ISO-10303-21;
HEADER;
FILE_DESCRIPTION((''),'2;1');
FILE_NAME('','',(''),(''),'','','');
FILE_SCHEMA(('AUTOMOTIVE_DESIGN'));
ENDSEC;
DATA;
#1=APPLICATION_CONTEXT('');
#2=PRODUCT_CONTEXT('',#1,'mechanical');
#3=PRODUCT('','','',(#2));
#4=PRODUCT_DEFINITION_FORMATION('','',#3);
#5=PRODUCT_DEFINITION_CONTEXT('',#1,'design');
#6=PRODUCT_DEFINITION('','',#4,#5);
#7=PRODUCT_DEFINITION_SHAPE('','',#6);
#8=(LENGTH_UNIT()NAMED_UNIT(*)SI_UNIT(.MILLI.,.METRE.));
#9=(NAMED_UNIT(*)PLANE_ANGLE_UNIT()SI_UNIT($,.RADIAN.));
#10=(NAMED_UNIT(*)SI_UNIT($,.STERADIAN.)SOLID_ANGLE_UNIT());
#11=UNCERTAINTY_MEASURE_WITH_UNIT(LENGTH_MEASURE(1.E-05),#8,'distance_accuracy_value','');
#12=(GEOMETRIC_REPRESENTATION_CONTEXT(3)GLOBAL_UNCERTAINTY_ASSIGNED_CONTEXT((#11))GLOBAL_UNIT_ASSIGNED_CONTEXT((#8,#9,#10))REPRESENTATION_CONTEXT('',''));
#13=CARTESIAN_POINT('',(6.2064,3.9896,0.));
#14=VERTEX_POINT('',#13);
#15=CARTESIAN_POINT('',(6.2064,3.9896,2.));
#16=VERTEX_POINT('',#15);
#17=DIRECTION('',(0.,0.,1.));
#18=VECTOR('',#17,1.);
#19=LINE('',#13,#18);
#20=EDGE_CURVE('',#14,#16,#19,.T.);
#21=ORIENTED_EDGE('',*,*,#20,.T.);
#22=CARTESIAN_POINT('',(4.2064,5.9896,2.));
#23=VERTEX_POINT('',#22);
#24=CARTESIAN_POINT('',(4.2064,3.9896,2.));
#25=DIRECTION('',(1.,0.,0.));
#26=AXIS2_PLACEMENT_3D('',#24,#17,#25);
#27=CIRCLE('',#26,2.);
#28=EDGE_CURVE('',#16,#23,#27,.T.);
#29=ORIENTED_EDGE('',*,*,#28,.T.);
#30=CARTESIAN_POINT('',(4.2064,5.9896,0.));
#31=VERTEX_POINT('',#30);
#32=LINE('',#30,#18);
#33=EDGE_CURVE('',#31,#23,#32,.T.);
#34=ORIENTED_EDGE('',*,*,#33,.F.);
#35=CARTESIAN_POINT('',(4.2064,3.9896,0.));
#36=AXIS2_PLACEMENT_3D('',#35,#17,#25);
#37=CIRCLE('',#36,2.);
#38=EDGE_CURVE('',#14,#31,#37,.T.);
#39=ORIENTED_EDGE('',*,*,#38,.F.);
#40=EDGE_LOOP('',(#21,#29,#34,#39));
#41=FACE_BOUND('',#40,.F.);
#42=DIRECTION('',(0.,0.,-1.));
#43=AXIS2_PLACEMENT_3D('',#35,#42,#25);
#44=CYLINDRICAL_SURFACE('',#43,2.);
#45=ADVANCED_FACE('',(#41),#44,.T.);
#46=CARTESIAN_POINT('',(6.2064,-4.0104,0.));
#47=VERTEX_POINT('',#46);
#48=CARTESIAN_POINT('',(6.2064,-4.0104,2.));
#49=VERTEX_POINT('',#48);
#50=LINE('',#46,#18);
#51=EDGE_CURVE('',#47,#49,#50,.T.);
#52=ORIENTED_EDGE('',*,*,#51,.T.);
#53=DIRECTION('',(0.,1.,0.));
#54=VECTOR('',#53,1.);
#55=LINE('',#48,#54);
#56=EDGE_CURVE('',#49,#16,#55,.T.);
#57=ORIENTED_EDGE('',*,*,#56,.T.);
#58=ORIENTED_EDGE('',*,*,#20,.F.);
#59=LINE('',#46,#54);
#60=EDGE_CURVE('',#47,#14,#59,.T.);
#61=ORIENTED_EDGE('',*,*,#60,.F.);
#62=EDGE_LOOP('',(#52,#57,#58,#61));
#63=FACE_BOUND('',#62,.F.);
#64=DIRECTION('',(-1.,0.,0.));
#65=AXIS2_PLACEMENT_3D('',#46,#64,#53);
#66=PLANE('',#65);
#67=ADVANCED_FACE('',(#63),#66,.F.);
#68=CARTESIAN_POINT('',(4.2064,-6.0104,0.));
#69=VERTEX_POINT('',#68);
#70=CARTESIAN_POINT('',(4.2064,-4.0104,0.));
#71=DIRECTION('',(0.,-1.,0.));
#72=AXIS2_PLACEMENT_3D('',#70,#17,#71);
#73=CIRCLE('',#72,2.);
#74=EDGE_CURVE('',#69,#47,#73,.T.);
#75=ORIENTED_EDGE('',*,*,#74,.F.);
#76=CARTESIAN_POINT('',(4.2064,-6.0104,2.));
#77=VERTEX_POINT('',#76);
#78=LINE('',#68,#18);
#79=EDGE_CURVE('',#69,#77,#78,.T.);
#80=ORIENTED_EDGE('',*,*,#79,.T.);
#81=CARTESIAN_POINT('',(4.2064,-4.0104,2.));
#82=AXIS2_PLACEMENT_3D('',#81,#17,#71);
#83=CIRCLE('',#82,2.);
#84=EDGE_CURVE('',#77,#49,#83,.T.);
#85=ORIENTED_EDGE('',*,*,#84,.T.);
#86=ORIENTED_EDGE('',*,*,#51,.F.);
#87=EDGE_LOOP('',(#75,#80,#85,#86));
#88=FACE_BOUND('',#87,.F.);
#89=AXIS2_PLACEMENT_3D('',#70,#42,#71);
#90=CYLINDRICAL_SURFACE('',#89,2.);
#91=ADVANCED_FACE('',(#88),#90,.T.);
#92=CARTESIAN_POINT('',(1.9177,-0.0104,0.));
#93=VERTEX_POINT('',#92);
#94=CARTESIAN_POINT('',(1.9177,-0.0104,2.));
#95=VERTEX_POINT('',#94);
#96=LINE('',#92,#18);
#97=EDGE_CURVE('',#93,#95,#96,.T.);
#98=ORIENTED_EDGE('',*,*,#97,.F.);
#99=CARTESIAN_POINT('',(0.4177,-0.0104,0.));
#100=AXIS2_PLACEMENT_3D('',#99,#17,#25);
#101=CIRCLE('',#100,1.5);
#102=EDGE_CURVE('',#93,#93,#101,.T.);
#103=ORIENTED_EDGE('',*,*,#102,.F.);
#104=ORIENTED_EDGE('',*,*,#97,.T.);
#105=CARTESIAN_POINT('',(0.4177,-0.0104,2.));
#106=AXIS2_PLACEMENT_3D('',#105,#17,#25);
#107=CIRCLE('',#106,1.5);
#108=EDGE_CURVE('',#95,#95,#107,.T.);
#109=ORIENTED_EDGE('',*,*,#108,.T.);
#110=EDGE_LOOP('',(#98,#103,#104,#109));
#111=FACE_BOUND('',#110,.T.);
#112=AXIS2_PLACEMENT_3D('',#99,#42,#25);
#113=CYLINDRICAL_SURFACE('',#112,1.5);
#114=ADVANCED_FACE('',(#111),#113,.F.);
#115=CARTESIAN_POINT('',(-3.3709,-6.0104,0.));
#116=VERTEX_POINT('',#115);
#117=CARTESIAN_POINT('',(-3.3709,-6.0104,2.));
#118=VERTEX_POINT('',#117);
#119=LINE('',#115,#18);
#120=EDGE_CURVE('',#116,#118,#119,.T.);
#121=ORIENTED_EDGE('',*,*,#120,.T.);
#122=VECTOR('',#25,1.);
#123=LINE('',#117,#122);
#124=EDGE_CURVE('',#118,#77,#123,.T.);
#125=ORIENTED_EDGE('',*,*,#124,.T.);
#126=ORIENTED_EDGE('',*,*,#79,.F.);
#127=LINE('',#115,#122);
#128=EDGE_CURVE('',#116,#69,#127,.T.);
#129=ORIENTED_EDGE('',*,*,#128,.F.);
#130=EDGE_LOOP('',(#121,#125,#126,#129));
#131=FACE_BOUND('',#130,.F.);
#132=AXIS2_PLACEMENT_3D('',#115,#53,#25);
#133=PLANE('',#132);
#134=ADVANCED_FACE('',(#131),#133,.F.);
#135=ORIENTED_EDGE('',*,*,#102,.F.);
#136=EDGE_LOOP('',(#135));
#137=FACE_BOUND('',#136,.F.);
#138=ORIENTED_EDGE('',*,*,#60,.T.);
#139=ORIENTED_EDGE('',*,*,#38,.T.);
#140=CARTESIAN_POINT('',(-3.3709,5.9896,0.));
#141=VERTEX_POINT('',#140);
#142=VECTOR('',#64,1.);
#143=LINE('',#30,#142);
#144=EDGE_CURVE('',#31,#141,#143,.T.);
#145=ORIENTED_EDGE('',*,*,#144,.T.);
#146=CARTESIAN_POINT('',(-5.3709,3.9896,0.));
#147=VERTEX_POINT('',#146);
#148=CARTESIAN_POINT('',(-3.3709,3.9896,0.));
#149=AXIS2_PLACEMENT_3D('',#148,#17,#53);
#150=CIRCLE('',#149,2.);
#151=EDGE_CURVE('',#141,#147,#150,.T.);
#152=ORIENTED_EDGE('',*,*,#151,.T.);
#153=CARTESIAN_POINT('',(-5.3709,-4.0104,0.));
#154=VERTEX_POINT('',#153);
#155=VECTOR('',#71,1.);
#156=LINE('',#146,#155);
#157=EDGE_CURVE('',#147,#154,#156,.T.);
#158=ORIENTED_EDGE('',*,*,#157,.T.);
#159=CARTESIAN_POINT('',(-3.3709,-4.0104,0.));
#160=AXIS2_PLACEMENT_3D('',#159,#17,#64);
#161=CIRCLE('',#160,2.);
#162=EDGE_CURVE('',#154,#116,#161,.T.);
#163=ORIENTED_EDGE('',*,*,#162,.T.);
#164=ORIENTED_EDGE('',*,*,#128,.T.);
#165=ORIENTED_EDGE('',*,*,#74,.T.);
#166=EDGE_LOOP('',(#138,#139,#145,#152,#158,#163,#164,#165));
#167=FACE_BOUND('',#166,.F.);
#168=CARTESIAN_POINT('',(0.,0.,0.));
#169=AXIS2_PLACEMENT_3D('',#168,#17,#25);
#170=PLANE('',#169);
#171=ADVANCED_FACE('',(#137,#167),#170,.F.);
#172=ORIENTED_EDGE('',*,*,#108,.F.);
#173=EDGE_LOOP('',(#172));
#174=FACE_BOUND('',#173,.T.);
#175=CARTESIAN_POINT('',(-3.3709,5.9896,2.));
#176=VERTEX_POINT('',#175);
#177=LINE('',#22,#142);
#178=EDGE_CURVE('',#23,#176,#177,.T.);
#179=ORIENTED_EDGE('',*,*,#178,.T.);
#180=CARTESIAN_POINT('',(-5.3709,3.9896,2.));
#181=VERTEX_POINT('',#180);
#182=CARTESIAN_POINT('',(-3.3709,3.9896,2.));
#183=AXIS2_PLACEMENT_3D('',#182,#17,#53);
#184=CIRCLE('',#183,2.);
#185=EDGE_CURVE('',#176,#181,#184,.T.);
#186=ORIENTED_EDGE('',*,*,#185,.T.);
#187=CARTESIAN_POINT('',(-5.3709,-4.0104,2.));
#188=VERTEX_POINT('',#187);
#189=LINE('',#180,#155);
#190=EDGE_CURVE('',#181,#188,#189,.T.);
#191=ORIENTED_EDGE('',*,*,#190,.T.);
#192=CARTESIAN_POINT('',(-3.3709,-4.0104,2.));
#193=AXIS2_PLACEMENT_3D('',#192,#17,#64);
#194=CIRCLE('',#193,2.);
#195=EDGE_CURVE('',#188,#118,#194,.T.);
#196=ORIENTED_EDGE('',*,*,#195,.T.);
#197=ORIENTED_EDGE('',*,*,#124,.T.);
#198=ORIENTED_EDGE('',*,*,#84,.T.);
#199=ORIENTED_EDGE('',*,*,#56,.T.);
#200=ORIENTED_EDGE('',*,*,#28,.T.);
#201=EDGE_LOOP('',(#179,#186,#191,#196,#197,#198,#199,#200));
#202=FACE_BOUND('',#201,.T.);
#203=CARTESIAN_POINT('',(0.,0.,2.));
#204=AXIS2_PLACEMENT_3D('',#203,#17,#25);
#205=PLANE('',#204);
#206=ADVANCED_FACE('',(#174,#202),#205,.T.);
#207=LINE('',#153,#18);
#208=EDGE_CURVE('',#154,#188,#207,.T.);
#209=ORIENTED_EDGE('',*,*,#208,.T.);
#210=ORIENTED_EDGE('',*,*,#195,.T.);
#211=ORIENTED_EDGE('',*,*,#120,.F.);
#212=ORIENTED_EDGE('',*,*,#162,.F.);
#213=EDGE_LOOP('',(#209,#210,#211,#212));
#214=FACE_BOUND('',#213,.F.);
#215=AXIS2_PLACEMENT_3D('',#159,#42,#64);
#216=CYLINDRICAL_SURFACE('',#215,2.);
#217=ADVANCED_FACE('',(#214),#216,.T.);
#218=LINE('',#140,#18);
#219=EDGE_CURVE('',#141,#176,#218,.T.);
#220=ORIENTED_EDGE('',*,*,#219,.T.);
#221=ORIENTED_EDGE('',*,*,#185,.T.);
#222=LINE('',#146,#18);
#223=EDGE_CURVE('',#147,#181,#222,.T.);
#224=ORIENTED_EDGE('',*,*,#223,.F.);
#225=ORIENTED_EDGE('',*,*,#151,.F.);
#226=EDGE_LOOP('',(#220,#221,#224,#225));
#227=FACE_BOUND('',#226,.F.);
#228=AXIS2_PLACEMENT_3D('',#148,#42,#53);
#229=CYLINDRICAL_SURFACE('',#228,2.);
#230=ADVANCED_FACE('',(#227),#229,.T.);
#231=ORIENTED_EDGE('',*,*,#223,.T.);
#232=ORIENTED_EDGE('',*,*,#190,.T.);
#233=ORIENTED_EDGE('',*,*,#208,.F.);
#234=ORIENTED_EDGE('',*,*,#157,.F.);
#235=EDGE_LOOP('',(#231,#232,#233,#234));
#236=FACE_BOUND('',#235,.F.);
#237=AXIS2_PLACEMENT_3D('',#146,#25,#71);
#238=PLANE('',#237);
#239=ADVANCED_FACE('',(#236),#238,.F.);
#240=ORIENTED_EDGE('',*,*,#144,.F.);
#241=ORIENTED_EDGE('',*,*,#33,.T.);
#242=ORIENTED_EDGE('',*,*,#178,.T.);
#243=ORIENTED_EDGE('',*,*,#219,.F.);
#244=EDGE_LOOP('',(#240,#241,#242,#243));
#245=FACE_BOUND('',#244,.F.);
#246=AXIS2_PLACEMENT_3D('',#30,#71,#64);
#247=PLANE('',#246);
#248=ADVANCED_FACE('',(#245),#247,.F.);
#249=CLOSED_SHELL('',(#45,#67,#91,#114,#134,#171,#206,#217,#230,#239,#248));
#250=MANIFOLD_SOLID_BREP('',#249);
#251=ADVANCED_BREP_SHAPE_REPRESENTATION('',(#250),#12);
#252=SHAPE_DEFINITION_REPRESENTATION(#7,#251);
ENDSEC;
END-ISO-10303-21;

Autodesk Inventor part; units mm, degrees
ref_plane "YZ Plane" through (0, 0, 0) normal (1, 0, 0) x (0, 1, 0)
ref_plane "XZ Plane" through (0, 0, 0) normal (0, 1, 0) x (-1, 0, 0)
ref_plane "XY Plane" through (0, 0, 0) normal (0, 0, 1) x (1, 0, 0)
sketch "washer_sketch" plane through (0, 0, 0) normal (0, 0, 1) x (1, 0, 0)
  line L0 (-5.3709, -5.3107) -> (-5.3709, 4.5904) construction
  line L1 (0.3709, -5.3107) -> (-5.3709, -5.3107) construction
  arc A0 (0.3709, -5.3107) -> (5.3709, -0.3107) centre (0.3709, -0.3107) ccw construction
  arc A1 (5.3709, -0.3107) -> (-3.0036, 4.5904) centre (-0.2505, -0.3107) ccw construction
  line L2 (-5.3709, 4.5904) -> (-3.0036, 4.5904) construction
  circle A2 centre (0.4177, -0.0104) radius 3.55 construction
  circle A3 centre (0.4177, -0.0104) radius 3.55 construction
  circle A4 centre (0.4177, -0.0104) radius 1.5 projected
  line L3 (4.2064, 5.9896) -> (-3.3709, 5.9896)
  line L4 (-5.3709, 3.9896) -> (-5.3709, -4.0104)
  line L5 (-3.3709, -6.0104) -> (4.2064, -6.0104)
  line L6 (6.2064, -4.0104) -> (6.2064, 3.9896)
  arc A5 (6.2064, 3.9896) -> (4.2064, 5.9896) centre (4.2064, 3.9896) ccw
  arc A6 (4.2064, -6.0104) -> (6.2064, -4.0104) centre (4.2064, -4.0104) ccw
  arc A7 (-5.3709, -4.0104) -> (-3.3709, -6.0104) centre (-3.3709, -4.0104) ccw
  arc A8 (-3.3709, 5.9896) -> (-5.3709, 3.9896) centre (-3.3709, 3.9896) ccw
  point P0 (0, 0)
  point P1 (6.2064, 5.9896)
  point P2 (-5.3709, 5.9896)
  point P3 (6.2064, -6.0104)
  dimension "d0" = 12
  dimension "d1" = 11.5773
  dimension "d2" = 5.7886
  dimension "d3" = 6
  dimension "d4" = 2
extrude "washer" add sketch "washer_sketch" along normal blind 2
equation "\"d1\" = 2 * d2"
equation "\"d3\" = 0.5 * d0"
properties part number "mount_linear_stepper_washer_b" material "ABS Plastic"
